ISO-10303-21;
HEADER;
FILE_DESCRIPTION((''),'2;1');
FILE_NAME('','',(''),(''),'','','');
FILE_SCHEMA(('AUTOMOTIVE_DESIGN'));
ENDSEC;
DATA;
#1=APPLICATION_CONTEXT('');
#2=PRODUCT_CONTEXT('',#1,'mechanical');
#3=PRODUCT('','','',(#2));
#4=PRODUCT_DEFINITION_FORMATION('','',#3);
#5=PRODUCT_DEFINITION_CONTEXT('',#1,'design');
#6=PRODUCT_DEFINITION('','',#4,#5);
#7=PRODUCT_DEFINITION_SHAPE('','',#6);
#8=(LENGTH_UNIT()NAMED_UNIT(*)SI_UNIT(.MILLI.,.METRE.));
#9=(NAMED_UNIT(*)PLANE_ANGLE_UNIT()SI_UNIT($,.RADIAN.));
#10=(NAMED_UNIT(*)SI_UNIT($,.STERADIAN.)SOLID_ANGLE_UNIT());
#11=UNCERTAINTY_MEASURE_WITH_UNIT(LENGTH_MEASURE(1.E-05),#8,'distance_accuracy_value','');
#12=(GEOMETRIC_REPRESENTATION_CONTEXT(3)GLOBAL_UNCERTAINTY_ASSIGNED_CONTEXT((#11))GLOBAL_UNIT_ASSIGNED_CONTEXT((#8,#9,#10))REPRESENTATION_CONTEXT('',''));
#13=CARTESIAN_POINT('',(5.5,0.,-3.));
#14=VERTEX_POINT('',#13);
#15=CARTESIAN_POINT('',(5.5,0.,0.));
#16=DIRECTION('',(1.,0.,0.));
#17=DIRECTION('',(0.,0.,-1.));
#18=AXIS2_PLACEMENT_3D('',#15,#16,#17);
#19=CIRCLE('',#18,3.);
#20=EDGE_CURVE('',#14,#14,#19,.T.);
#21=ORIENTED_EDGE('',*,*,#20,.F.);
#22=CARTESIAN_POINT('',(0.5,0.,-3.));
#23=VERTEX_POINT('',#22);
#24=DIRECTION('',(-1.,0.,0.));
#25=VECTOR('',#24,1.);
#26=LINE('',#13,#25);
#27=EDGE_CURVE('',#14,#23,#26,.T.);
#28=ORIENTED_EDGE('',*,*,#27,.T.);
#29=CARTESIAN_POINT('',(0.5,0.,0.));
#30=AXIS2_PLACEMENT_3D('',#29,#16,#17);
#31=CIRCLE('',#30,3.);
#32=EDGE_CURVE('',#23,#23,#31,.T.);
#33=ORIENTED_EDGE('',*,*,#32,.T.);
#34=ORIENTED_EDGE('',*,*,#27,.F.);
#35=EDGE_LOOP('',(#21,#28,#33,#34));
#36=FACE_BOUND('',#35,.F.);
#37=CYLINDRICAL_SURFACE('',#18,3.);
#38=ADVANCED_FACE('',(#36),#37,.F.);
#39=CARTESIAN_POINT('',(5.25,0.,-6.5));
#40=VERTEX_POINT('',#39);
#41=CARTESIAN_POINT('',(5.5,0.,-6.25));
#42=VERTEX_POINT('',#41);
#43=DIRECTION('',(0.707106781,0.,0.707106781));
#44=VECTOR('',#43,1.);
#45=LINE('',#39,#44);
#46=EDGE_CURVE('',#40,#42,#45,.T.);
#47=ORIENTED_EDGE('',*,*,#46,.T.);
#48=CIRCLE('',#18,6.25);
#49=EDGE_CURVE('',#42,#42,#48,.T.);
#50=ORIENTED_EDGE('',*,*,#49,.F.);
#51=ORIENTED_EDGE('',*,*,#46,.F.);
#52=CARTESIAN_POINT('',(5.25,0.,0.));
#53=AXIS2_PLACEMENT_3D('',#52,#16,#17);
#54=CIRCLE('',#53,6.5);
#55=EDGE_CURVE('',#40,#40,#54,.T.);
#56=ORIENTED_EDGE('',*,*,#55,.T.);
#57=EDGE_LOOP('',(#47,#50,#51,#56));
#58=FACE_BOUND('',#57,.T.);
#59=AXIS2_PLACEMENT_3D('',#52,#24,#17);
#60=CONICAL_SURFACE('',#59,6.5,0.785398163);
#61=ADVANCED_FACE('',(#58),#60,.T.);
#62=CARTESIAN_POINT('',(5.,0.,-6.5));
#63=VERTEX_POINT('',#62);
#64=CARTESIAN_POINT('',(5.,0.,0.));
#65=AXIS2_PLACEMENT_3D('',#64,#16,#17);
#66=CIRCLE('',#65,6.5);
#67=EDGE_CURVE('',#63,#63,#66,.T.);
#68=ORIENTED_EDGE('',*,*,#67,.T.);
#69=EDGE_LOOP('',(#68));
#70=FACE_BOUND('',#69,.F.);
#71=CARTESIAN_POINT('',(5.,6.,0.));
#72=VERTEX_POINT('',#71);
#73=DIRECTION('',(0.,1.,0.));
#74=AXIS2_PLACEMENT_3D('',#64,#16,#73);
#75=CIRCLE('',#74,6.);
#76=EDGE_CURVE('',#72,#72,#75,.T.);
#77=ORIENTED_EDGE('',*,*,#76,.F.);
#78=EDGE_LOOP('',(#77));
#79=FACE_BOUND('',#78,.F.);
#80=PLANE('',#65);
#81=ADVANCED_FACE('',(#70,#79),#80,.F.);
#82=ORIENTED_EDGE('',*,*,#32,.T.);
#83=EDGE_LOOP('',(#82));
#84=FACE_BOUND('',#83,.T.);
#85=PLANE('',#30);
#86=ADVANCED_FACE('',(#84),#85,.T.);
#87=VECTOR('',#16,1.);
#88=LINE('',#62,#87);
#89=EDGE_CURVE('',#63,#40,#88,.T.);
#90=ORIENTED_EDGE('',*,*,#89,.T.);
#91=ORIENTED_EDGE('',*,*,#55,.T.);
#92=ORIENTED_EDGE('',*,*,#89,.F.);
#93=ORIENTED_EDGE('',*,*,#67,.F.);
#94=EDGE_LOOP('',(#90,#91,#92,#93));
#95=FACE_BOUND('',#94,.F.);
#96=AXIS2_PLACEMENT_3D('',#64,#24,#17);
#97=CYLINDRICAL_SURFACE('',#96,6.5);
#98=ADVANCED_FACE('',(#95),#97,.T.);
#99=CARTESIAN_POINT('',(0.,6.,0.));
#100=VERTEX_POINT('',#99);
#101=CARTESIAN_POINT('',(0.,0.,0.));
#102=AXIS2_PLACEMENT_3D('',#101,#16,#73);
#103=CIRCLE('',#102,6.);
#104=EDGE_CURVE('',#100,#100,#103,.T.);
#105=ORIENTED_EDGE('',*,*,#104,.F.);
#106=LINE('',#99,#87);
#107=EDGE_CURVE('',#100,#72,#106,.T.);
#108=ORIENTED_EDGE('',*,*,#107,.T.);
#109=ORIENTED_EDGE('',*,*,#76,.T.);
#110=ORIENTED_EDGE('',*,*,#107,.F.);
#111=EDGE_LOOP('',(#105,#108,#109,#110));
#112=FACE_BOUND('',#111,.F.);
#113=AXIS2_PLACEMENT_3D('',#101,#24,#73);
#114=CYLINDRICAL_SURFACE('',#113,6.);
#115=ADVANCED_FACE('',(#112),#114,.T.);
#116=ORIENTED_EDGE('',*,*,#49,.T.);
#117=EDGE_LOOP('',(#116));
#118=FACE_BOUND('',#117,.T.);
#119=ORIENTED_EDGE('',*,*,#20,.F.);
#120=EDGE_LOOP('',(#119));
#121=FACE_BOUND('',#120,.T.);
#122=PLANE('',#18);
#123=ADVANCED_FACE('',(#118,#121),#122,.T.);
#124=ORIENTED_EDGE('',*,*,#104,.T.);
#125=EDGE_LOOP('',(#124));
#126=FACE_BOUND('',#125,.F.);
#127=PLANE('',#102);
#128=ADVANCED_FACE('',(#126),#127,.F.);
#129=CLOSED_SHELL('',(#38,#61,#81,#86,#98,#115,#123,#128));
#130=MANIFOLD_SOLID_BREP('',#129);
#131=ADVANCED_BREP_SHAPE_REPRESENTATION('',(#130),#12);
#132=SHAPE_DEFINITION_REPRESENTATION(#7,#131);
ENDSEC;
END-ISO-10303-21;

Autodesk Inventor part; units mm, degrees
ref_plane "YZ Plane" through (0, 0, 0) normal (1, 0, 0) x (0, 1, 0)
ref_plane "XZ Plane" through (0, 0, 0) normal (0, 1, 0) x (-1, 0, 0)
ref_plane "XY Plane" through (0, 0, 0) normal (0, 0, 1) x (1, 0, 0)
sketch "Sketch1" plane through (0, 0, 0) normal (1, 0, 0) x (0, 1, 0)
  circle A0 centre (0, 0) radius 6
  dimension "d0" = 12
extrude "Extrusion1" add sketch "Sketch1" along normal blind 5
sketch "Sketch2" plane through (5, 0, 0) normal (1, 0, 0) x (0, 0, -1)
  circle A0 centre (0, 0) radius 6 projected
  circle A1 centre (0, 0) radius 6.5
  dimension "d3" = 13
extrude "Extrusion2" add sketch "Sketch2" along normal blind 0.5 contours A0 | A1
chamfer "Chamfer1" distance 0.25 angle 45 1 edges at (5.5, 0, 6.5)
sketch "Sketch3" plane through (5.5, 0, 0) normal (1, 0, 0) x (0, 0, -1)
  circle A0 centre (0, 0) radius 6.25 projected
  circle A1 centre (0, 0) radius 3
  dimension "d9" = 6
extrude "Extrusion3" cut sketch "Sketch3" against normal blind 5 contours A1
properties part number "500-138" material "ABS Plastic"
